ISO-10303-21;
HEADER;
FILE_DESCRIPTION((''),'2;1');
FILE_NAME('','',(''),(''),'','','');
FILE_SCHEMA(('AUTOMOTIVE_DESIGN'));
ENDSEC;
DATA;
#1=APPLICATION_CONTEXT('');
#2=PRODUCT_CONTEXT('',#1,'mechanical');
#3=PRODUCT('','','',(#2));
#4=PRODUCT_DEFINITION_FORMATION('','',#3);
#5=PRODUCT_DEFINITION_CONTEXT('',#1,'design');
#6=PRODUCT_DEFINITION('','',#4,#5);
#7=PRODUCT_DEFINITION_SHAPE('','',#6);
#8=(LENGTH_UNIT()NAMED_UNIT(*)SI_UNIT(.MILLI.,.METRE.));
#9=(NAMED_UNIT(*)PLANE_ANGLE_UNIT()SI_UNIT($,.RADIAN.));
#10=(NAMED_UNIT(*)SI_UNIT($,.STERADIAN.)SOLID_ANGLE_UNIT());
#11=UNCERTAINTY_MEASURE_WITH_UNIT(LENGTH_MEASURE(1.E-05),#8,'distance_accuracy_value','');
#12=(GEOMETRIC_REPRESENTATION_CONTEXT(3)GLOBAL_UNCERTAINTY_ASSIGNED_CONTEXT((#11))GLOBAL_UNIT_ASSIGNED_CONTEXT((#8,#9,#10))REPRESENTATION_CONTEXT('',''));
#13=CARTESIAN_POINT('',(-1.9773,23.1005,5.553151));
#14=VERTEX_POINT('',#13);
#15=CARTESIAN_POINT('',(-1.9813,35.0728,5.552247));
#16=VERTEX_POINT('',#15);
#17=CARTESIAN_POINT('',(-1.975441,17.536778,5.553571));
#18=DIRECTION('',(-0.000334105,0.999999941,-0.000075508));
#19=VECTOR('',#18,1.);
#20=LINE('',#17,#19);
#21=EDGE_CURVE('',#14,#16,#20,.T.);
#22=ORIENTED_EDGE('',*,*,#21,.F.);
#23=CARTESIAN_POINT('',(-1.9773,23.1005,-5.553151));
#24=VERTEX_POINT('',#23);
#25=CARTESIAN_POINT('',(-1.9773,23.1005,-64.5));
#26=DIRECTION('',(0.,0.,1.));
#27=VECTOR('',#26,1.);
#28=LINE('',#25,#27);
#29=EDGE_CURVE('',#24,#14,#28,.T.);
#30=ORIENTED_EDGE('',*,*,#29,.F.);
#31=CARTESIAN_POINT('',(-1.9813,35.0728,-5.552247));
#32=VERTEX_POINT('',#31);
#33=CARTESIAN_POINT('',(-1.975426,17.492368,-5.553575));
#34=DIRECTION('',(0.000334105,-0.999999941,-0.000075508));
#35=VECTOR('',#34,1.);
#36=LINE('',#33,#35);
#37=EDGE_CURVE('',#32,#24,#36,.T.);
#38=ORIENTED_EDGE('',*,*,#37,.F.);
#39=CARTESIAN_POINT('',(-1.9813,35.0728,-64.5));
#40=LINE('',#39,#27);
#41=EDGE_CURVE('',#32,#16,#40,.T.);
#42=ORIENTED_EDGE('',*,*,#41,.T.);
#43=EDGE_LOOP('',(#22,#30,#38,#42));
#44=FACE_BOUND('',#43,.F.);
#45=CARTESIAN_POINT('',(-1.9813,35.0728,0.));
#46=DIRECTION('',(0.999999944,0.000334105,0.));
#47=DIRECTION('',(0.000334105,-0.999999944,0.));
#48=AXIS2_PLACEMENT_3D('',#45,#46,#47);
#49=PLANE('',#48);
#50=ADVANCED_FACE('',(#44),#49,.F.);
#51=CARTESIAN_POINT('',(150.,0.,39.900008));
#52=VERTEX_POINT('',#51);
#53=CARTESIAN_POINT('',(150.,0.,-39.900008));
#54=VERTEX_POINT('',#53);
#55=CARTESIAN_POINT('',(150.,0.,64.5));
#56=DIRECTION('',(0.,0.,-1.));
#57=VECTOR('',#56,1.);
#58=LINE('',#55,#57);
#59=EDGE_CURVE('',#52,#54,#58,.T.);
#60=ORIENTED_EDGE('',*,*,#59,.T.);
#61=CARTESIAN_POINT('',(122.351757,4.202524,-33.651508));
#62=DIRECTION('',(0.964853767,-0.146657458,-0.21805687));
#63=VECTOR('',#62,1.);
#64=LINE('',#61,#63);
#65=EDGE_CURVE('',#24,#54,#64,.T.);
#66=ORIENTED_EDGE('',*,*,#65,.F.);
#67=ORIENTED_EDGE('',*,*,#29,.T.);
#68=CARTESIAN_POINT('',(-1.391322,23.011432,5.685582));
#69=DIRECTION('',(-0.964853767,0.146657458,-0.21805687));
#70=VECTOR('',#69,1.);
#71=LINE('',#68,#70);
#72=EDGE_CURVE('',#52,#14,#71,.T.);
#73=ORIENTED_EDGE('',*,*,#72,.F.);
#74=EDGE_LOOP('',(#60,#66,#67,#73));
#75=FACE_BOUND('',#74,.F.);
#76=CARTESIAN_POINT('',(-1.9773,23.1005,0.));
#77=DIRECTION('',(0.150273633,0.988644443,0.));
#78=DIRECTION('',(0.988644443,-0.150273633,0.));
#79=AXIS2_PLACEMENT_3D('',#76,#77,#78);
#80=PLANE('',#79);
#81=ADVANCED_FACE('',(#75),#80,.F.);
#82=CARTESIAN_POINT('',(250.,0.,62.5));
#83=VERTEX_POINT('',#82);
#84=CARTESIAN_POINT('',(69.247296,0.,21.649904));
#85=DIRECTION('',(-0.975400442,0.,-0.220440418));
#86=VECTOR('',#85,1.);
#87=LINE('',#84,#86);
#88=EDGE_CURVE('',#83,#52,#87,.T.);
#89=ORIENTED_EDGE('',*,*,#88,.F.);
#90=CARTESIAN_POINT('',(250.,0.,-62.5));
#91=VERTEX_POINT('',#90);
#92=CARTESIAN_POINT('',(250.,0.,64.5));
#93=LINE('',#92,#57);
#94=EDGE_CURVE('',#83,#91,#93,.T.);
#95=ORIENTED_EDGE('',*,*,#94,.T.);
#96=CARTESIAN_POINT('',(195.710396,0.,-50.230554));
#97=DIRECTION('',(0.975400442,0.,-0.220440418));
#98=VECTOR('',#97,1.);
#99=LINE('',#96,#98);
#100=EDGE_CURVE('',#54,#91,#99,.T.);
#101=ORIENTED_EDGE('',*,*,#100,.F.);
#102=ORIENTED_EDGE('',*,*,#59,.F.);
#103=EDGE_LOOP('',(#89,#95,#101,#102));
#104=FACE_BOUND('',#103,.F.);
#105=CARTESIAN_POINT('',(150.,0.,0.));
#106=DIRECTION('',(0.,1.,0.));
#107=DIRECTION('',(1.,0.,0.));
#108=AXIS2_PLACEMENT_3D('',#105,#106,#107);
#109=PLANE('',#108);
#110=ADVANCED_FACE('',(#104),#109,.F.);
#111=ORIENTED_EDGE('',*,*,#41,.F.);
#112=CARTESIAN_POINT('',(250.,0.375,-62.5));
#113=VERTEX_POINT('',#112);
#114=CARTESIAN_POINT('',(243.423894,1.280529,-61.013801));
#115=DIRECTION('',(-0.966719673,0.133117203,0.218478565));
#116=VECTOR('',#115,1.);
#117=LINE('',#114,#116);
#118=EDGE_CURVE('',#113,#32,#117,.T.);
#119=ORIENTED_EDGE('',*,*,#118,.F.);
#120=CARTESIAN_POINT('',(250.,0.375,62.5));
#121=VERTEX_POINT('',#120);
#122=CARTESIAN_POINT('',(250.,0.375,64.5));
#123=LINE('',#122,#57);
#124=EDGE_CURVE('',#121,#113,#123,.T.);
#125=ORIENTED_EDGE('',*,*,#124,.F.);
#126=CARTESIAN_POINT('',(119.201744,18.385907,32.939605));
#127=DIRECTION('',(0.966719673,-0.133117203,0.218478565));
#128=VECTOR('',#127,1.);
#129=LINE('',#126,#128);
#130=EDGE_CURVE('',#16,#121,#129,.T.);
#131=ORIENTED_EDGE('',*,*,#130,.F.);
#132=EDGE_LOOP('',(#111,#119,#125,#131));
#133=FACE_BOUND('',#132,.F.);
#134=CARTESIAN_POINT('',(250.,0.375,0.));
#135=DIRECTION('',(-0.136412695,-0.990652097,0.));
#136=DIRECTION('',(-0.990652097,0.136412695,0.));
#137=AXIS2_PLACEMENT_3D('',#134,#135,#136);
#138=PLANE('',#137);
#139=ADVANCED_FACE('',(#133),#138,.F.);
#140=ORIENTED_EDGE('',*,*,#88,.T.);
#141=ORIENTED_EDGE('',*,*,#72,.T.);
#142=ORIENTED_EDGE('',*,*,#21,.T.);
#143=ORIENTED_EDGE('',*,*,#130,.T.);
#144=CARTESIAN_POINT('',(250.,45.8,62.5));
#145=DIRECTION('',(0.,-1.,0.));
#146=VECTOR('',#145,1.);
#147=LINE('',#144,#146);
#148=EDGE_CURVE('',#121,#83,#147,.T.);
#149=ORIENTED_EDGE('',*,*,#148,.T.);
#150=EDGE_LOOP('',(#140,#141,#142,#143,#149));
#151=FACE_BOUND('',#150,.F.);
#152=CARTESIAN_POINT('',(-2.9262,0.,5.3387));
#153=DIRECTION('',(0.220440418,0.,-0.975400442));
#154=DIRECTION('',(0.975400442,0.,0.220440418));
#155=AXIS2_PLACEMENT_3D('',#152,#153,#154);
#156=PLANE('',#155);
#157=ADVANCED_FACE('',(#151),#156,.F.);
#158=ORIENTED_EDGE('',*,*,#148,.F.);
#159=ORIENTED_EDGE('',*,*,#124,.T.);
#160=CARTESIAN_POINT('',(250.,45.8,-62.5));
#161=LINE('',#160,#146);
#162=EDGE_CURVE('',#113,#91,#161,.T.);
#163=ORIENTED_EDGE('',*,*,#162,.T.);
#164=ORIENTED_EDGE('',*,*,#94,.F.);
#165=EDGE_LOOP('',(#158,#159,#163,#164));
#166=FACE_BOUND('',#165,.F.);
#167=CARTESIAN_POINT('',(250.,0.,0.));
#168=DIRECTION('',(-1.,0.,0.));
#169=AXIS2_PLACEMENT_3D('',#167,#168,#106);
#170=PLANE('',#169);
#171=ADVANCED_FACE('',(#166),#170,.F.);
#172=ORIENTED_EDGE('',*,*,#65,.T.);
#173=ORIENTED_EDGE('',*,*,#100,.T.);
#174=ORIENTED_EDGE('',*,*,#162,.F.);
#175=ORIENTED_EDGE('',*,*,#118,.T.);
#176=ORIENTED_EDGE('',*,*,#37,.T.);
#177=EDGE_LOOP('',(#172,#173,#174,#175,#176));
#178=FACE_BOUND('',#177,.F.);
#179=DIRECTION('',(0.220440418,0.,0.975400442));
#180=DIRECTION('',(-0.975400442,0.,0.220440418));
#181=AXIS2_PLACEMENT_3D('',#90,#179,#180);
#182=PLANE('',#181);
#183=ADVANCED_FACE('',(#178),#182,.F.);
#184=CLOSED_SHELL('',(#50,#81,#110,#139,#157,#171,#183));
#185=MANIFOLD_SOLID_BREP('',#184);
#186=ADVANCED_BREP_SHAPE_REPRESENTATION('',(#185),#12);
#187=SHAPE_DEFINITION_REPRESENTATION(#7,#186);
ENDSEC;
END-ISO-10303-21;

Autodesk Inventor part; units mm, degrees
sketch "Sketch_4" plane through (0, 0, 0) normal (0, 0, 1) x (1, 0, 0)
  line L0 (-1.9813, 35.0728) -> (-1.9773, 23.1005)
  line L1 (-1.9773, 23.1005) -> (150, 0)
  line L2 (150, 0) -> (250, 0)
  line L3 (250, 0) -> (250, 0.375)
  line L4 (250, 0.375) -> (-1.9813, 35.0728)
extrude "Extrusion1" add sketch "Sketch_4" along normal mid plane 129
sketch "Sketch_5" plane through (0, 0, 0) normal (0, 1, 0) x (-1, 0, 0)
  line L0 (5, 131) -> (-260, 131)
  line L1 (-260, 131) -> (-260, -131)
  line L2 (-260, -131) -> (5, -131)
  line L3 (5, -131) -> (5, 131)
  line L4 (2.9262, 5.3387) -> (-250, 62.5)
  line L5 (-250, 62.5) -> (-250, -62.5)
  line L6 (-250, -62.5) -> (2.9262, -5.3387)
  line L7 (2.9262, -5.3387) -> (2.9262, 5.3387)
extrude "Extrusion2" cut sketch "Sketch_5" along normal mid plane 91.6
ref_plane "CP1_XY" through (0, 0, 0) normal (0, 0, 1) x (1, 0, 0)
ref_plane "CP1_YZ" through (0, 0, 0) normal (1, 0, 0) x (0, 1, 0)
ref_plane "CP1_ZX" through (0, 0, 0) normal (0, 1, 0) x (0, 0, 1)
properties part number "Receivingbeam_OXS200_11728845"
